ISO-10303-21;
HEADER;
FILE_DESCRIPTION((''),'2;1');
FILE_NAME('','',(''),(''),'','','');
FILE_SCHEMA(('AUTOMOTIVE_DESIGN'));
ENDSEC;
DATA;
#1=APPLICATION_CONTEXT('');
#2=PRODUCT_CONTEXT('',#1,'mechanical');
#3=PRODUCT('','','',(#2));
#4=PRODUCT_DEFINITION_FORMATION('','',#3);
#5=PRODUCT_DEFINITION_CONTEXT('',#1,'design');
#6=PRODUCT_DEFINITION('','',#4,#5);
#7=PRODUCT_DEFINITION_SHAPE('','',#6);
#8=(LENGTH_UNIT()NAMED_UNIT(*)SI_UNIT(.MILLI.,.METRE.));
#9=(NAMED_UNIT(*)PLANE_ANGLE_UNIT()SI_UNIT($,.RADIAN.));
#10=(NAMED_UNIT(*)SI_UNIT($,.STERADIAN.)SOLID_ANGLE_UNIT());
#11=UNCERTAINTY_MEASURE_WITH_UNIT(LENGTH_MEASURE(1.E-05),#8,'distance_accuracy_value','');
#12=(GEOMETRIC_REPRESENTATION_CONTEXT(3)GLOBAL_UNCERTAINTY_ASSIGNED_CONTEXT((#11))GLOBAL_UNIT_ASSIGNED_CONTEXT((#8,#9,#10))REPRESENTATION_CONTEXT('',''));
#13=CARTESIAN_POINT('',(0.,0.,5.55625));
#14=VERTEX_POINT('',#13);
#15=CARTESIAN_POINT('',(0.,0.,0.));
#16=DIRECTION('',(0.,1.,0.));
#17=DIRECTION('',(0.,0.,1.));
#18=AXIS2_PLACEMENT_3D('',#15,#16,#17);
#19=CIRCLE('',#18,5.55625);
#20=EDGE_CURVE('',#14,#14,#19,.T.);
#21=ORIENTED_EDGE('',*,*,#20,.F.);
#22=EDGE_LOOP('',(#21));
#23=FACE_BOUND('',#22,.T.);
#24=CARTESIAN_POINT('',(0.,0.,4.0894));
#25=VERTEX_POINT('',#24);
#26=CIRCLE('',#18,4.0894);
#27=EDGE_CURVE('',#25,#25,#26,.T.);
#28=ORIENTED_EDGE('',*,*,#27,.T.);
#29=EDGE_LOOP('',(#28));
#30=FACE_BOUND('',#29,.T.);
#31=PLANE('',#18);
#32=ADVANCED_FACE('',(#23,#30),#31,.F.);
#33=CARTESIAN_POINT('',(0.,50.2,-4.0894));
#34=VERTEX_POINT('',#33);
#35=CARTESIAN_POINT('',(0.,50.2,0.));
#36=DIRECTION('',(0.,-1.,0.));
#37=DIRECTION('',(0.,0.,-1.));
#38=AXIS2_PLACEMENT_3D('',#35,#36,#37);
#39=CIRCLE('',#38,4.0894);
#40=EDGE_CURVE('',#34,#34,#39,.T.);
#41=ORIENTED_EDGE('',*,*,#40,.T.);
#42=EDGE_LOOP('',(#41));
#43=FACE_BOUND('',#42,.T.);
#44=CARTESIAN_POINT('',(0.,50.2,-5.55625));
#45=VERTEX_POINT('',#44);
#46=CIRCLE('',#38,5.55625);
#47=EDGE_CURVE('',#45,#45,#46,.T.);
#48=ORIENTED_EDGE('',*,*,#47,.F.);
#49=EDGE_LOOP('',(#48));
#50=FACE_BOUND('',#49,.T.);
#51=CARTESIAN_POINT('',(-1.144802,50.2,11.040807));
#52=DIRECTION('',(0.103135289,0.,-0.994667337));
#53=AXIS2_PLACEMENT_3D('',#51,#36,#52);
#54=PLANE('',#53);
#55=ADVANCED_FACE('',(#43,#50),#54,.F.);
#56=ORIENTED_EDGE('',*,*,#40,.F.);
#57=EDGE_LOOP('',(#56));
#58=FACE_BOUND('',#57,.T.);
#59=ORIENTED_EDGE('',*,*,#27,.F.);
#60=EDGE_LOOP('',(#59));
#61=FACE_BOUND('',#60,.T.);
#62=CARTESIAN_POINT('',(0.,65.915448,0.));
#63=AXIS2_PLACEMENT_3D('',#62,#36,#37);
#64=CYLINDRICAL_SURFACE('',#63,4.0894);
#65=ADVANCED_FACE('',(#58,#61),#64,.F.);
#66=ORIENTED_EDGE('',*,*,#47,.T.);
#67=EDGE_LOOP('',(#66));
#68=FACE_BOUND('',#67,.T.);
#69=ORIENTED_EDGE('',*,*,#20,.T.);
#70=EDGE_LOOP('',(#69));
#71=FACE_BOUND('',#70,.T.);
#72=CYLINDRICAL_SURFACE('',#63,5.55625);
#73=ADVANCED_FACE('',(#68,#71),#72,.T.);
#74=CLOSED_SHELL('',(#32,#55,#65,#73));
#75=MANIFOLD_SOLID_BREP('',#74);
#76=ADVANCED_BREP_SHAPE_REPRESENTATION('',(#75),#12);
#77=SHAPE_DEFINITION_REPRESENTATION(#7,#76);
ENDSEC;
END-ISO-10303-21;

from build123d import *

# Parameters (mm, degrees)
SKETCH1_R           = 5.55625
SKETCH1_R_2         = 4.0894
BOSS_EXTRUDE1_DEPTH = 50.2


with BuildPart() as part:
    # Sketch1 → Boss-Extrude1 (new body)
    with BuildSketch(Plane(origin=(0, 0, 0), x_dir=(1, 0, 0), z_dir=(0, 1, 0))):
        with Locations(Location((0, 0, 0), (0, 0, 90))):
            Circle(SKETCH1_R)
        with Locations(Location((0, 0, 0), (0, 0, 90))):
            Circle(SKETCH1_R_2, mode=Mode.SUBTRACT)
    extrude(amount=BOSS_EXTRUDE1_DEPTH)


solid = part.part
